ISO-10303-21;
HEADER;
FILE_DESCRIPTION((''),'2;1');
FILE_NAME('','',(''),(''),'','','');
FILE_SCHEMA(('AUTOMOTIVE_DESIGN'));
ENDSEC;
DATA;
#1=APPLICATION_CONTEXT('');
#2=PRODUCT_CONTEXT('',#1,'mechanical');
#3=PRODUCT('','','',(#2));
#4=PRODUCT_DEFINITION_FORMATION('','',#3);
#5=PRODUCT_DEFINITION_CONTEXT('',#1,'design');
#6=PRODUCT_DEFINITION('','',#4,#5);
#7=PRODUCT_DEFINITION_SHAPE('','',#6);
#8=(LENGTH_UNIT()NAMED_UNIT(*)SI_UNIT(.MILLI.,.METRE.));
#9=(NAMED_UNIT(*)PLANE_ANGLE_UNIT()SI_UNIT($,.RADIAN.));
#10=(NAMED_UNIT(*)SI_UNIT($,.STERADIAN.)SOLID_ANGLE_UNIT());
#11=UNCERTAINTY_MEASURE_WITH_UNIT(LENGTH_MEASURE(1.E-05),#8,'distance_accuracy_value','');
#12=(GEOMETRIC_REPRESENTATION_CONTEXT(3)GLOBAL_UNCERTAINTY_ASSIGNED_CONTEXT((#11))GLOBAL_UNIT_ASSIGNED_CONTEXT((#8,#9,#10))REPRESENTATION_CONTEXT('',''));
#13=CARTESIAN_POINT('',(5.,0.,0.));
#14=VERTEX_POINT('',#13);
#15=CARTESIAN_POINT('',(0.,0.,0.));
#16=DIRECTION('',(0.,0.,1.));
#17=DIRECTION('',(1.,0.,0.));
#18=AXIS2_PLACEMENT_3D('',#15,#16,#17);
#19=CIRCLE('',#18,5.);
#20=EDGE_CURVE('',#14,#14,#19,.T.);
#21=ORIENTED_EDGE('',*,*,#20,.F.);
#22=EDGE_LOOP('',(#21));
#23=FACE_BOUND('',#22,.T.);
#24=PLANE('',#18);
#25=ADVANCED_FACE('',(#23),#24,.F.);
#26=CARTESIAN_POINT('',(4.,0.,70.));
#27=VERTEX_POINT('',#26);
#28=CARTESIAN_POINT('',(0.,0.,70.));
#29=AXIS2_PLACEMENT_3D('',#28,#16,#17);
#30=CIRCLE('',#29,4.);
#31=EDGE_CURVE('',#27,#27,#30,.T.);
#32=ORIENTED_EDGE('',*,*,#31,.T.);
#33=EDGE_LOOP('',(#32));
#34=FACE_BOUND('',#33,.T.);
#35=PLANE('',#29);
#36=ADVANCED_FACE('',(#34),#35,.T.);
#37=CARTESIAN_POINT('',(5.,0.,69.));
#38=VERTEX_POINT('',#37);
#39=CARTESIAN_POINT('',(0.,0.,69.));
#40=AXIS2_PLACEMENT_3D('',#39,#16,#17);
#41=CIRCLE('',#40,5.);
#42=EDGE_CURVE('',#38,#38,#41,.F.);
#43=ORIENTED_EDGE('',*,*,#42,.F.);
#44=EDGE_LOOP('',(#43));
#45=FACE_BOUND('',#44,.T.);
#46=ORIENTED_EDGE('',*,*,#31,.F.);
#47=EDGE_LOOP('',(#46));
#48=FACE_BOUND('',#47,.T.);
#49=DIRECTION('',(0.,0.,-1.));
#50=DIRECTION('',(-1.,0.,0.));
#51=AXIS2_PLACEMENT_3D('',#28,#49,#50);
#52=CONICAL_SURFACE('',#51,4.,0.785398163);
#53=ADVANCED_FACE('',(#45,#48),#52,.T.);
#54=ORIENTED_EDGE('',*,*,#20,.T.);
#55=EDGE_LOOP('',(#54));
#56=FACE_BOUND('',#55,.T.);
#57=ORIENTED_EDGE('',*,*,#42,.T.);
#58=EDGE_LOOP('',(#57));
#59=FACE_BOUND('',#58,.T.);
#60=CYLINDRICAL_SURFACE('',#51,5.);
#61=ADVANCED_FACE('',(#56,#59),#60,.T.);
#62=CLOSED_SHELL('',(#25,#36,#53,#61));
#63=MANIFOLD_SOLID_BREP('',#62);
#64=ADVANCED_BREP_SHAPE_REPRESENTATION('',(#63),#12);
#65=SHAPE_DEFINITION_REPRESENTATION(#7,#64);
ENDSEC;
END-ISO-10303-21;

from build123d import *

# Parameters (mm, degrees)
ESQUISSE1_R        = 5
BOSS_EXTRU_1_DEPTH = 70
CHANFREIN2_SIZE    = 1


with BuildPart() as part:
    # Esquisse1 → Boss.-Extru.1 (new body)
    with BuildSketch(Plane.XY):
        Circle(ESQUISSE1_R)
    extrude(amount=BOSS_EXTRU_1_DEPTH)

    # Chanfrein2
    chanfrein2_edges = [part.edges().sort_by_distance(p)[0] for p in [
        (-5, 0, 70),
    ]]
    chamfer(chanfrein2_edges, length=CHANFREIN2_SIZE)


solid = part.part
